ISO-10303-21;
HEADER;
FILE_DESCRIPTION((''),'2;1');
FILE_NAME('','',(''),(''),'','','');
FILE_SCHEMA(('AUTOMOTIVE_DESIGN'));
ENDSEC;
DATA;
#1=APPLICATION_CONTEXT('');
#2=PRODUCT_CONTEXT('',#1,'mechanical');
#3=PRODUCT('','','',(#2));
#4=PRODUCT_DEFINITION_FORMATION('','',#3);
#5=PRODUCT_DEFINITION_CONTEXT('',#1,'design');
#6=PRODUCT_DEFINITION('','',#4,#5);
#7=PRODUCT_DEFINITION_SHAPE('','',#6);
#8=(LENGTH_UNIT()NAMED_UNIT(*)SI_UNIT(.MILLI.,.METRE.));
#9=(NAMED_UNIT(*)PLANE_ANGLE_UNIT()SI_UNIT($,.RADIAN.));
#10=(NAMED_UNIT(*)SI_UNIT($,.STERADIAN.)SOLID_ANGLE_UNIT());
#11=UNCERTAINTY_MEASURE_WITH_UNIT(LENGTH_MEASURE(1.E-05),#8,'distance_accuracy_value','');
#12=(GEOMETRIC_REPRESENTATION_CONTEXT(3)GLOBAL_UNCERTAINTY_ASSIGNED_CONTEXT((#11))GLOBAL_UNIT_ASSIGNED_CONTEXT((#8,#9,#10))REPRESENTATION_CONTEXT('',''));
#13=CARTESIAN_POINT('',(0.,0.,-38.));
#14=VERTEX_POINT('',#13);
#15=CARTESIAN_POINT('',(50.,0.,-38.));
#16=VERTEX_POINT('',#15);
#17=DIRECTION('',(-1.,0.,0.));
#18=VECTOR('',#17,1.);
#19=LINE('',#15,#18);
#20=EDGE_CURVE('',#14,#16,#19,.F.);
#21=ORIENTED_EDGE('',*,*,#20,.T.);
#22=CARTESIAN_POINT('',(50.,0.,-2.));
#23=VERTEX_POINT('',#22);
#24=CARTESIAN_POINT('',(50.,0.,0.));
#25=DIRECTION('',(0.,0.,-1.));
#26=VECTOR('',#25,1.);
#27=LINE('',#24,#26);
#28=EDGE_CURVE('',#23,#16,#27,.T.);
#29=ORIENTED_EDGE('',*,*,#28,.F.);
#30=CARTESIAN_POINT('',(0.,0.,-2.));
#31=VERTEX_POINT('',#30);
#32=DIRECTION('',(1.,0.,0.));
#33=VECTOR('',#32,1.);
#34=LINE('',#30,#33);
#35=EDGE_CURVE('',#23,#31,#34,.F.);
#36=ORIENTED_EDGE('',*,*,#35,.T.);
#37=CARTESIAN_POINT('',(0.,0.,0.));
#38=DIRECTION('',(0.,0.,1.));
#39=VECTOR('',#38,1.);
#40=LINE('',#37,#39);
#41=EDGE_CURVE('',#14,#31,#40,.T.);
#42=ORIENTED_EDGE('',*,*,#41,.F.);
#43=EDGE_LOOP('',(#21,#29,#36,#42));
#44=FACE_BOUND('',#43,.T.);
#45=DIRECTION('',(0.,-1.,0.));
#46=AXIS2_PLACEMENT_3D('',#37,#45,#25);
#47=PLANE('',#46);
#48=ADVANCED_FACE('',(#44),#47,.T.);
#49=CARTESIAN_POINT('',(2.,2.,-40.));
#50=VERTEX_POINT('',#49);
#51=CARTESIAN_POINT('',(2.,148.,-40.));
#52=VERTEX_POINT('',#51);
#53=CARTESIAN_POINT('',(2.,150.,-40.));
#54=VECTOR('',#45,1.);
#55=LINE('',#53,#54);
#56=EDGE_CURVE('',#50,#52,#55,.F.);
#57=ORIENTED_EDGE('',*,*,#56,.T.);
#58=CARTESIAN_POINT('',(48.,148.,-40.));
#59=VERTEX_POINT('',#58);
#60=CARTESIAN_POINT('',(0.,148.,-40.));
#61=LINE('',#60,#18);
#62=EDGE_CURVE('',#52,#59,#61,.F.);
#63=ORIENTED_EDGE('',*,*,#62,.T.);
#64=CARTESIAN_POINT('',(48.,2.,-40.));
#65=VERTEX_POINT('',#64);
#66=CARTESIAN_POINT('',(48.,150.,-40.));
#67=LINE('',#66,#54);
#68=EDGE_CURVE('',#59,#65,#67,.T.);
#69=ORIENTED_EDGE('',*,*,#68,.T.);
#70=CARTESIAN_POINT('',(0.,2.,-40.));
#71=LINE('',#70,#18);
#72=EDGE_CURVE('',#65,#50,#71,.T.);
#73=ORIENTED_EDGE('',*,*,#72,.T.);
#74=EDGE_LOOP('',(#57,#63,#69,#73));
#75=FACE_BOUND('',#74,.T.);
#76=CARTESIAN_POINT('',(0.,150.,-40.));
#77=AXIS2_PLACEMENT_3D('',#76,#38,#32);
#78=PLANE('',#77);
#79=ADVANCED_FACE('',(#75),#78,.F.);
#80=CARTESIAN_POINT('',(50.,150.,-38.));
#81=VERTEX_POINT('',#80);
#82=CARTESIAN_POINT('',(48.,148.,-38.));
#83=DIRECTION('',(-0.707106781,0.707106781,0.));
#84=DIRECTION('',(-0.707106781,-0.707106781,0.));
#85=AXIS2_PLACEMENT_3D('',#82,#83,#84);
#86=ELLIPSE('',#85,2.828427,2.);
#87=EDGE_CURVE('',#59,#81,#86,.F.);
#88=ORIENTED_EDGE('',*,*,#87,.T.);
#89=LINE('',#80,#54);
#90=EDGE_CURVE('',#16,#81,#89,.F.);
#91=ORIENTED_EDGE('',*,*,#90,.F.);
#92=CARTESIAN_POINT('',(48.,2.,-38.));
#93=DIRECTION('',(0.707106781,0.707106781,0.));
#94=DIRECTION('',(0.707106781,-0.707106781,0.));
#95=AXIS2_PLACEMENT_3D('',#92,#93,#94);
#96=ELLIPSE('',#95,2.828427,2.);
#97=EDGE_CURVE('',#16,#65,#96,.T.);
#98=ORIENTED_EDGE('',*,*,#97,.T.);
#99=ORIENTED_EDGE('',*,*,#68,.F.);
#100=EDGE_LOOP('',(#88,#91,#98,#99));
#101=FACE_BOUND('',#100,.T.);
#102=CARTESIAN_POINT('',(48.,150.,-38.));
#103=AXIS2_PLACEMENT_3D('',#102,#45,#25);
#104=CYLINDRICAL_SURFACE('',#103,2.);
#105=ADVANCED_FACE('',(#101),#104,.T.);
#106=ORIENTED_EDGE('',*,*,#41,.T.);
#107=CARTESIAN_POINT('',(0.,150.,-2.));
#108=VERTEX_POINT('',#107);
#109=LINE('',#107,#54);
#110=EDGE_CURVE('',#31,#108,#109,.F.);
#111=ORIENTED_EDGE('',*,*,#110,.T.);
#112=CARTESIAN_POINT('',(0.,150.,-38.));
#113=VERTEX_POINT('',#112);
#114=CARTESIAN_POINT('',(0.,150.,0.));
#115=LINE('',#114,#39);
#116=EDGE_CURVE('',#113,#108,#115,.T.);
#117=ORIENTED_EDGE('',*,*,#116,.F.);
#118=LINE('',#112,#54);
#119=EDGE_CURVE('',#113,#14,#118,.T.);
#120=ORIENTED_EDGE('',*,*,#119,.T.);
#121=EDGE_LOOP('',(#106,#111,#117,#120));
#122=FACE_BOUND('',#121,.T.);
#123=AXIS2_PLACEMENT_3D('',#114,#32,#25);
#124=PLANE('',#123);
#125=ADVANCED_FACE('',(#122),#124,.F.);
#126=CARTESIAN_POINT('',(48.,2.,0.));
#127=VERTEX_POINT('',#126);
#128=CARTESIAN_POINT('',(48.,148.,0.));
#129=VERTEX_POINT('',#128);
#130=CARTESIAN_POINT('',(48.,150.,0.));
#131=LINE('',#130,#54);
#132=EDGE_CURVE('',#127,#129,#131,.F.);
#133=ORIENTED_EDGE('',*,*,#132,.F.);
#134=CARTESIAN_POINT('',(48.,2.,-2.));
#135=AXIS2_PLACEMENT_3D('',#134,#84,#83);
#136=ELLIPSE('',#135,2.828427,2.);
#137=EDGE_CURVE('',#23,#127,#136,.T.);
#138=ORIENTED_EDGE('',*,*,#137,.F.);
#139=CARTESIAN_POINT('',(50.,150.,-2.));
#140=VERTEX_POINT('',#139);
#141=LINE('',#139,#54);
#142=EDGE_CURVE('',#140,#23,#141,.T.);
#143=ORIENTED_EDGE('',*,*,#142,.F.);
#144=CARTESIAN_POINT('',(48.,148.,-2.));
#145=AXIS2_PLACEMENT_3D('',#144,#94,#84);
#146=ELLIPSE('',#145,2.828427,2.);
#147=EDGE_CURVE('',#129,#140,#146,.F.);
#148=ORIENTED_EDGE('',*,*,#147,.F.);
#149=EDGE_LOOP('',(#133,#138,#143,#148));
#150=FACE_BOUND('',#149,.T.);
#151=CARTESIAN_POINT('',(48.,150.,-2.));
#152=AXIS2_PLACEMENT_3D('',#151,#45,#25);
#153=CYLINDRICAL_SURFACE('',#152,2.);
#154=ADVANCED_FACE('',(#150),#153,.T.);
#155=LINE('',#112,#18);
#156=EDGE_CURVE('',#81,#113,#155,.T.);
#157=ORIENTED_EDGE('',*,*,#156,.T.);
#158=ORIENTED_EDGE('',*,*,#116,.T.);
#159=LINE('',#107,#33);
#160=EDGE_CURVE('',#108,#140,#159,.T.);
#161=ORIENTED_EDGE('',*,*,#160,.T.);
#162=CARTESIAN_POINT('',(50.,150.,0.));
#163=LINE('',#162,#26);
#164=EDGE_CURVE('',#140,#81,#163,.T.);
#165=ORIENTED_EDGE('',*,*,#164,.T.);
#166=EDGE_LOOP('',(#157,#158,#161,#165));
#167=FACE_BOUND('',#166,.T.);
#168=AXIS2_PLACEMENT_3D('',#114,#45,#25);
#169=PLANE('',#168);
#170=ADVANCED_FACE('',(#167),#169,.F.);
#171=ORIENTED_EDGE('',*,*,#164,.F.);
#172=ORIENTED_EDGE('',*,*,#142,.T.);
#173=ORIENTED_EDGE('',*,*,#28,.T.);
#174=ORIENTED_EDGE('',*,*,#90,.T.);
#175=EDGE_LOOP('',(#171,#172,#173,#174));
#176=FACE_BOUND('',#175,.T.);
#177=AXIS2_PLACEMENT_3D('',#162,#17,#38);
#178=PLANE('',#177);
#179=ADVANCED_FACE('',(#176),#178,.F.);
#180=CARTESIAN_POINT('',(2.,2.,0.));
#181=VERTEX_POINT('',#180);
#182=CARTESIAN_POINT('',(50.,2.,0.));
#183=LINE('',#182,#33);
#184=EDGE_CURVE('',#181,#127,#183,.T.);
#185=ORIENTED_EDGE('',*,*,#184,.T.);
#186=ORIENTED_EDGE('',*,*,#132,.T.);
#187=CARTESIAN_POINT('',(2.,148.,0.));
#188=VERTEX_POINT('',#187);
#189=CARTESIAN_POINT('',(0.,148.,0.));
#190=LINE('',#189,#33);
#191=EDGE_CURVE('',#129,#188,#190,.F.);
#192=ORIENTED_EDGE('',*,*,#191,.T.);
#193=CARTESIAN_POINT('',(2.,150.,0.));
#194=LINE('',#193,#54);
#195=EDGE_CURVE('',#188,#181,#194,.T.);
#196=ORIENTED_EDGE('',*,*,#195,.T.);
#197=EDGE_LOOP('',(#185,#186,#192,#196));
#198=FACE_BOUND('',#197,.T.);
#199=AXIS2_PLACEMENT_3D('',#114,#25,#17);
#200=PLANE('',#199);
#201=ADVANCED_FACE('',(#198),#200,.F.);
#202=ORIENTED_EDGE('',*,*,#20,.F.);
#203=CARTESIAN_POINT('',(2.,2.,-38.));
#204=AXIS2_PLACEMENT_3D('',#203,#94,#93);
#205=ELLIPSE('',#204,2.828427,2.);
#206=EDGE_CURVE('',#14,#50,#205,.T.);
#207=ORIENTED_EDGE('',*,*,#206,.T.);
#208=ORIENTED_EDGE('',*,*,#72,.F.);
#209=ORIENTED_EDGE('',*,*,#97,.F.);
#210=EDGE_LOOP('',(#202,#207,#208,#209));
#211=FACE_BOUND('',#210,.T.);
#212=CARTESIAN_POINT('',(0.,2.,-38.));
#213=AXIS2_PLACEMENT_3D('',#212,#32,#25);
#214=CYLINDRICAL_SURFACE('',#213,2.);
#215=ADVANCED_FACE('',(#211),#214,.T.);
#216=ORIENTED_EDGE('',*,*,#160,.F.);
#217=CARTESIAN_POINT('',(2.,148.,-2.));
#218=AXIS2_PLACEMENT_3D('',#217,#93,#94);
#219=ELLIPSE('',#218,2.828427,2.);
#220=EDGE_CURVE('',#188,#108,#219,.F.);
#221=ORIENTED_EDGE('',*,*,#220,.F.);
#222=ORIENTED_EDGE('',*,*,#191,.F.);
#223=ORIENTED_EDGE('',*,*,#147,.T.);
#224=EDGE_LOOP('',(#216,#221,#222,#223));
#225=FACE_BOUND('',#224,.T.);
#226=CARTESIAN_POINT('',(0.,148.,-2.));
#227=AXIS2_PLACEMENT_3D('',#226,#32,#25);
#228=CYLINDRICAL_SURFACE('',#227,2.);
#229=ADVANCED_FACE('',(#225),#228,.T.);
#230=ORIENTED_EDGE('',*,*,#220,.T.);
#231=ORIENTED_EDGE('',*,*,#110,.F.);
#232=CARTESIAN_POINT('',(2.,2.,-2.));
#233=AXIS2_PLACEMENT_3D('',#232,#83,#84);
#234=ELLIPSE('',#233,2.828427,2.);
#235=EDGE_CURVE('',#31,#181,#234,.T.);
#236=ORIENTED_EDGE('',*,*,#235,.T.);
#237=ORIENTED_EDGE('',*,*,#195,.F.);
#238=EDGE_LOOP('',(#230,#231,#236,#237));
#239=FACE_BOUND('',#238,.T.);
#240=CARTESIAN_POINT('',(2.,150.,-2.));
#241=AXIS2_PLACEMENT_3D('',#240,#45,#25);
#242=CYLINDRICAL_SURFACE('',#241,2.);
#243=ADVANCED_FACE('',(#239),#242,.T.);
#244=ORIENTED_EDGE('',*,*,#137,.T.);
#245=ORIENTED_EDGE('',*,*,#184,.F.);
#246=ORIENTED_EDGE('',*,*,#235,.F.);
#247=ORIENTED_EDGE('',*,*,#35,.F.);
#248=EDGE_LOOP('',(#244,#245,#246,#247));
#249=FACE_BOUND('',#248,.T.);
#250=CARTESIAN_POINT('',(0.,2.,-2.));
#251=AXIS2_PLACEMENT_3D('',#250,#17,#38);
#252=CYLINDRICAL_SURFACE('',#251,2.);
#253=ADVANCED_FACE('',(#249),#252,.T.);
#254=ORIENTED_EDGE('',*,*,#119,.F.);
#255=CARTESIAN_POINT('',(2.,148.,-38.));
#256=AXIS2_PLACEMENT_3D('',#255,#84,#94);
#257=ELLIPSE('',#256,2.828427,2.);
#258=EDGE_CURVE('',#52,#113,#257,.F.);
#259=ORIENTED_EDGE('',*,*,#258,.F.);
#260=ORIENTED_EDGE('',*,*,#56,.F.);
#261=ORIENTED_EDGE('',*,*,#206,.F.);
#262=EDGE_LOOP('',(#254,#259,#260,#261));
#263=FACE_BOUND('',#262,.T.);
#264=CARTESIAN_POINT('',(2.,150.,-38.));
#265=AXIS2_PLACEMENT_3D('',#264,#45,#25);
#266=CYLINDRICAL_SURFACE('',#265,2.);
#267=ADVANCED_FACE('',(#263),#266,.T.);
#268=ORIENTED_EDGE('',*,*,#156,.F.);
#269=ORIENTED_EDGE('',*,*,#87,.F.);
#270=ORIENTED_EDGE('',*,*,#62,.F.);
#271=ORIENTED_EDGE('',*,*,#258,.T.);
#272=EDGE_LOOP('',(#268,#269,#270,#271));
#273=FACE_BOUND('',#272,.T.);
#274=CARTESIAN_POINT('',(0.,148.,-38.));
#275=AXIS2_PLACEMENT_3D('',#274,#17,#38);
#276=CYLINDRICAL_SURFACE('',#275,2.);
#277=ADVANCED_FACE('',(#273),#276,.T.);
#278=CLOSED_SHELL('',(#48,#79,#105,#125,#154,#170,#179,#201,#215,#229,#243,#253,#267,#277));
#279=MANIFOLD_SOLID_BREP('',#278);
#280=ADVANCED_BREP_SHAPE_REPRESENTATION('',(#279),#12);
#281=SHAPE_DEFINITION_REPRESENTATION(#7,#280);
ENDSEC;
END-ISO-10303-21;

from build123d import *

# Parameters (mm, degrees)
SKETCH1_W           = 50
SKETCH1_H           = 40
BOSS_EXTRUDE1_DEPTH = 150
FILLET1_R           = 2


with BuildPart() as part:
    # Sketch1 → Boss-Extrude1 (new body)
    with BuildSketch(Plane(origin=(0, 0, 0), x_dir=(1, 0, 0), z_dir=(0, 1, 0))):
        with Locations((25, 20)):
            Rectangle(SKETCH1_W, SKETCH1_H)
    extrude(amount=BOSS_EXTRUDE1_DEPTH)

    # Fillet1
    fillet1_edges = [part.edges().sort_by_distance(p)[0] for p in [
        (25, 150, -40),
        (25, 0, -40),
        (25, 0, 0),
        (0, 75, -40),
        (50, 75, -40),
        (50, 75, 0),
        (0, 75, 0),
        (25, 150, 0),
    ]]
    fillet(fillet1_edges, radius=FILLET1_R)


solid = part.part
